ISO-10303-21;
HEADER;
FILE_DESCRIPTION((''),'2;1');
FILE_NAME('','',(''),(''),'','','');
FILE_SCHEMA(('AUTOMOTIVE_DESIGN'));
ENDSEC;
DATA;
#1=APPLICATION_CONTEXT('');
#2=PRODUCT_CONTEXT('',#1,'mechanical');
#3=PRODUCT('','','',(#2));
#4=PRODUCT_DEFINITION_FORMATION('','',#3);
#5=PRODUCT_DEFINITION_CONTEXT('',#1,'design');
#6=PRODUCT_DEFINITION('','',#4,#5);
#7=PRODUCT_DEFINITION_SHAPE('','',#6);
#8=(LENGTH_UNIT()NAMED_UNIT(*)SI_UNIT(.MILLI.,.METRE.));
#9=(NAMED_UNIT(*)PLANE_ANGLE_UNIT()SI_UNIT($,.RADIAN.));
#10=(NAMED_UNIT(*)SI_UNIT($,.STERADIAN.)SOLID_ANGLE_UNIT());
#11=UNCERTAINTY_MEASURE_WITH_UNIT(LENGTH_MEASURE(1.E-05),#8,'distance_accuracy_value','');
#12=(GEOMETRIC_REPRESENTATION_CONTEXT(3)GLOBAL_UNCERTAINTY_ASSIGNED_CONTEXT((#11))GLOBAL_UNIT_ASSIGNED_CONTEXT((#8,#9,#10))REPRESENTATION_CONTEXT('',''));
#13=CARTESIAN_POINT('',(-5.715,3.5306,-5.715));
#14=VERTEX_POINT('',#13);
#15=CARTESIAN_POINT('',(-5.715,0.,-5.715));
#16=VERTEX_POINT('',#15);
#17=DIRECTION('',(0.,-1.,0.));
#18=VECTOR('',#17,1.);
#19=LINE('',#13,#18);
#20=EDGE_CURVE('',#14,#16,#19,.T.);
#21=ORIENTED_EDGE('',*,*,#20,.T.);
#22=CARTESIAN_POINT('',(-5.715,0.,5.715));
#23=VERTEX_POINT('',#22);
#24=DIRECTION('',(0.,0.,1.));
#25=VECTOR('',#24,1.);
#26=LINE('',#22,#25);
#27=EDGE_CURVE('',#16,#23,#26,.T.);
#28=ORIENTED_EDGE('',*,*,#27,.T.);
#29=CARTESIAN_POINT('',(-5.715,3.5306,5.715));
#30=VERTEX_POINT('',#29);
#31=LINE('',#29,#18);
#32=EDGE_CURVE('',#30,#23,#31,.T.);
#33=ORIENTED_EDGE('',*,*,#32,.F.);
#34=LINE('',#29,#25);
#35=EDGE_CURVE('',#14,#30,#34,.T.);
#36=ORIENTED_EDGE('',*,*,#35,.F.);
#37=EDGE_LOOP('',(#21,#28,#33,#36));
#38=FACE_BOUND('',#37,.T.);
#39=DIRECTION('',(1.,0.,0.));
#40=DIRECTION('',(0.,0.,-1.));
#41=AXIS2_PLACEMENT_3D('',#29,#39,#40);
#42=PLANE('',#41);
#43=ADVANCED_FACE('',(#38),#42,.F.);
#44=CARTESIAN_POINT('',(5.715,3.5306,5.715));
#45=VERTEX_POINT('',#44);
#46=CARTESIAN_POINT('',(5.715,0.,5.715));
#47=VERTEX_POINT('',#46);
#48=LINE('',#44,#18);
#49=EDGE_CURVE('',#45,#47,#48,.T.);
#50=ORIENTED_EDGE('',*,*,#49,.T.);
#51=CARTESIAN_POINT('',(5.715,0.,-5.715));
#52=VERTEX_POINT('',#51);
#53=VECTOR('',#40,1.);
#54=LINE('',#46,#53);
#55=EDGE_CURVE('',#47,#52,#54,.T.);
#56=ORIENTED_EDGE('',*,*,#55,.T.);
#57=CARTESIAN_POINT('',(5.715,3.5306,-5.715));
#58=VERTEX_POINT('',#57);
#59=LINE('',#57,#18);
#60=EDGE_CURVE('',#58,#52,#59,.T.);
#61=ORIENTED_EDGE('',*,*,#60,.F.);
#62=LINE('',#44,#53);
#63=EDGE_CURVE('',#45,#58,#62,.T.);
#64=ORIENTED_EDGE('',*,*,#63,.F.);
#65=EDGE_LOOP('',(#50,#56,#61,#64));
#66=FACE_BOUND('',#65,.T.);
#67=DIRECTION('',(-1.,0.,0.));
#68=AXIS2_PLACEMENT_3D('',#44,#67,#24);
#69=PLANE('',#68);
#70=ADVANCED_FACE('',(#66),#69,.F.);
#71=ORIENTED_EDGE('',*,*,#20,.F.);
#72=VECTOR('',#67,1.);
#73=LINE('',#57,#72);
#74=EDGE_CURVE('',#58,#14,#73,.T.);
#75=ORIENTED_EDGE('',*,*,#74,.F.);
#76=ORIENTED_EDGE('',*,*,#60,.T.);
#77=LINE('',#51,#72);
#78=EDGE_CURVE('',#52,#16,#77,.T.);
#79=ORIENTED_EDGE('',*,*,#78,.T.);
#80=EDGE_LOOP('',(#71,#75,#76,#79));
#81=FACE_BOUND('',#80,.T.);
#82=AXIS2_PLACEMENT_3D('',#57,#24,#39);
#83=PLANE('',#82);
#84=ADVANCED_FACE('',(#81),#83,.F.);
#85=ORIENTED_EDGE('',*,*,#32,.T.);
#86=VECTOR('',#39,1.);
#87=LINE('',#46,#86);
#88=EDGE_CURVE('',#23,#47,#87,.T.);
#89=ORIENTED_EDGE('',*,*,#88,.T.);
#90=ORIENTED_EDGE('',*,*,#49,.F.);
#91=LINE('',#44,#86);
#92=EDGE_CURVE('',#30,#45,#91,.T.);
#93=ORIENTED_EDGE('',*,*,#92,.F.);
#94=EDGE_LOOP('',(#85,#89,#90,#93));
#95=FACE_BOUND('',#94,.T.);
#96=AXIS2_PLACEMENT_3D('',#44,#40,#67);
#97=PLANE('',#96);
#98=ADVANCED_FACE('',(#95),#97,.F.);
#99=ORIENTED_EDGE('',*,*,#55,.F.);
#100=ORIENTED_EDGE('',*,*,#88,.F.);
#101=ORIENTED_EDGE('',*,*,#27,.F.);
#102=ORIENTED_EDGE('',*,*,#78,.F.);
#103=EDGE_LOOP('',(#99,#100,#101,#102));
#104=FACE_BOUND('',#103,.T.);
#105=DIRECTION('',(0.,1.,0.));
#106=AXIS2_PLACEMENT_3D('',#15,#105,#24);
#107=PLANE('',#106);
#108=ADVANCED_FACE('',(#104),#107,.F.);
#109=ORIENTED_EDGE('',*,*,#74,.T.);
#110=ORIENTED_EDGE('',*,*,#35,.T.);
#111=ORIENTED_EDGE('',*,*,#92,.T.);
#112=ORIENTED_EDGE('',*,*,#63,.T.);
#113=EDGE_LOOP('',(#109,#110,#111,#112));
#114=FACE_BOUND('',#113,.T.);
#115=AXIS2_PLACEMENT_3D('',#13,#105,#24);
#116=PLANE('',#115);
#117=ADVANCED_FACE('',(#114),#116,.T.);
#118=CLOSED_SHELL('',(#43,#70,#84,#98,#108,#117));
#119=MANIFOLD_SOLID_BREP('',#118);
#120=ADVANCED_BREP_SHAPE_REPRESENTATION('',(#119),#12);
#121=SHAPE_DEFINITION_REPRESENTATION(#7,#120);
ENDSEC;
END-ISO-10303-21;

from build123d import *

# Parameters (mm, degrees)
SKETCH1_W      = 11.43
SKETCH1_H      = 11.43
EXTRUDE1_DEPTH = 3.5306


with BuildPart() as part:
    # Sketch1 → Extrude1 (new body)
    with BuildSketch(Plane(origin=(0, 0, 0), x_dir=(1, 0, 0), z_dir=(0, 1, 0))):
        Rectangle(SKETCH1_W, SKETCH1_H)
    extrude(amount=EXTRUDE1_DEPTH)


solid = part.part
